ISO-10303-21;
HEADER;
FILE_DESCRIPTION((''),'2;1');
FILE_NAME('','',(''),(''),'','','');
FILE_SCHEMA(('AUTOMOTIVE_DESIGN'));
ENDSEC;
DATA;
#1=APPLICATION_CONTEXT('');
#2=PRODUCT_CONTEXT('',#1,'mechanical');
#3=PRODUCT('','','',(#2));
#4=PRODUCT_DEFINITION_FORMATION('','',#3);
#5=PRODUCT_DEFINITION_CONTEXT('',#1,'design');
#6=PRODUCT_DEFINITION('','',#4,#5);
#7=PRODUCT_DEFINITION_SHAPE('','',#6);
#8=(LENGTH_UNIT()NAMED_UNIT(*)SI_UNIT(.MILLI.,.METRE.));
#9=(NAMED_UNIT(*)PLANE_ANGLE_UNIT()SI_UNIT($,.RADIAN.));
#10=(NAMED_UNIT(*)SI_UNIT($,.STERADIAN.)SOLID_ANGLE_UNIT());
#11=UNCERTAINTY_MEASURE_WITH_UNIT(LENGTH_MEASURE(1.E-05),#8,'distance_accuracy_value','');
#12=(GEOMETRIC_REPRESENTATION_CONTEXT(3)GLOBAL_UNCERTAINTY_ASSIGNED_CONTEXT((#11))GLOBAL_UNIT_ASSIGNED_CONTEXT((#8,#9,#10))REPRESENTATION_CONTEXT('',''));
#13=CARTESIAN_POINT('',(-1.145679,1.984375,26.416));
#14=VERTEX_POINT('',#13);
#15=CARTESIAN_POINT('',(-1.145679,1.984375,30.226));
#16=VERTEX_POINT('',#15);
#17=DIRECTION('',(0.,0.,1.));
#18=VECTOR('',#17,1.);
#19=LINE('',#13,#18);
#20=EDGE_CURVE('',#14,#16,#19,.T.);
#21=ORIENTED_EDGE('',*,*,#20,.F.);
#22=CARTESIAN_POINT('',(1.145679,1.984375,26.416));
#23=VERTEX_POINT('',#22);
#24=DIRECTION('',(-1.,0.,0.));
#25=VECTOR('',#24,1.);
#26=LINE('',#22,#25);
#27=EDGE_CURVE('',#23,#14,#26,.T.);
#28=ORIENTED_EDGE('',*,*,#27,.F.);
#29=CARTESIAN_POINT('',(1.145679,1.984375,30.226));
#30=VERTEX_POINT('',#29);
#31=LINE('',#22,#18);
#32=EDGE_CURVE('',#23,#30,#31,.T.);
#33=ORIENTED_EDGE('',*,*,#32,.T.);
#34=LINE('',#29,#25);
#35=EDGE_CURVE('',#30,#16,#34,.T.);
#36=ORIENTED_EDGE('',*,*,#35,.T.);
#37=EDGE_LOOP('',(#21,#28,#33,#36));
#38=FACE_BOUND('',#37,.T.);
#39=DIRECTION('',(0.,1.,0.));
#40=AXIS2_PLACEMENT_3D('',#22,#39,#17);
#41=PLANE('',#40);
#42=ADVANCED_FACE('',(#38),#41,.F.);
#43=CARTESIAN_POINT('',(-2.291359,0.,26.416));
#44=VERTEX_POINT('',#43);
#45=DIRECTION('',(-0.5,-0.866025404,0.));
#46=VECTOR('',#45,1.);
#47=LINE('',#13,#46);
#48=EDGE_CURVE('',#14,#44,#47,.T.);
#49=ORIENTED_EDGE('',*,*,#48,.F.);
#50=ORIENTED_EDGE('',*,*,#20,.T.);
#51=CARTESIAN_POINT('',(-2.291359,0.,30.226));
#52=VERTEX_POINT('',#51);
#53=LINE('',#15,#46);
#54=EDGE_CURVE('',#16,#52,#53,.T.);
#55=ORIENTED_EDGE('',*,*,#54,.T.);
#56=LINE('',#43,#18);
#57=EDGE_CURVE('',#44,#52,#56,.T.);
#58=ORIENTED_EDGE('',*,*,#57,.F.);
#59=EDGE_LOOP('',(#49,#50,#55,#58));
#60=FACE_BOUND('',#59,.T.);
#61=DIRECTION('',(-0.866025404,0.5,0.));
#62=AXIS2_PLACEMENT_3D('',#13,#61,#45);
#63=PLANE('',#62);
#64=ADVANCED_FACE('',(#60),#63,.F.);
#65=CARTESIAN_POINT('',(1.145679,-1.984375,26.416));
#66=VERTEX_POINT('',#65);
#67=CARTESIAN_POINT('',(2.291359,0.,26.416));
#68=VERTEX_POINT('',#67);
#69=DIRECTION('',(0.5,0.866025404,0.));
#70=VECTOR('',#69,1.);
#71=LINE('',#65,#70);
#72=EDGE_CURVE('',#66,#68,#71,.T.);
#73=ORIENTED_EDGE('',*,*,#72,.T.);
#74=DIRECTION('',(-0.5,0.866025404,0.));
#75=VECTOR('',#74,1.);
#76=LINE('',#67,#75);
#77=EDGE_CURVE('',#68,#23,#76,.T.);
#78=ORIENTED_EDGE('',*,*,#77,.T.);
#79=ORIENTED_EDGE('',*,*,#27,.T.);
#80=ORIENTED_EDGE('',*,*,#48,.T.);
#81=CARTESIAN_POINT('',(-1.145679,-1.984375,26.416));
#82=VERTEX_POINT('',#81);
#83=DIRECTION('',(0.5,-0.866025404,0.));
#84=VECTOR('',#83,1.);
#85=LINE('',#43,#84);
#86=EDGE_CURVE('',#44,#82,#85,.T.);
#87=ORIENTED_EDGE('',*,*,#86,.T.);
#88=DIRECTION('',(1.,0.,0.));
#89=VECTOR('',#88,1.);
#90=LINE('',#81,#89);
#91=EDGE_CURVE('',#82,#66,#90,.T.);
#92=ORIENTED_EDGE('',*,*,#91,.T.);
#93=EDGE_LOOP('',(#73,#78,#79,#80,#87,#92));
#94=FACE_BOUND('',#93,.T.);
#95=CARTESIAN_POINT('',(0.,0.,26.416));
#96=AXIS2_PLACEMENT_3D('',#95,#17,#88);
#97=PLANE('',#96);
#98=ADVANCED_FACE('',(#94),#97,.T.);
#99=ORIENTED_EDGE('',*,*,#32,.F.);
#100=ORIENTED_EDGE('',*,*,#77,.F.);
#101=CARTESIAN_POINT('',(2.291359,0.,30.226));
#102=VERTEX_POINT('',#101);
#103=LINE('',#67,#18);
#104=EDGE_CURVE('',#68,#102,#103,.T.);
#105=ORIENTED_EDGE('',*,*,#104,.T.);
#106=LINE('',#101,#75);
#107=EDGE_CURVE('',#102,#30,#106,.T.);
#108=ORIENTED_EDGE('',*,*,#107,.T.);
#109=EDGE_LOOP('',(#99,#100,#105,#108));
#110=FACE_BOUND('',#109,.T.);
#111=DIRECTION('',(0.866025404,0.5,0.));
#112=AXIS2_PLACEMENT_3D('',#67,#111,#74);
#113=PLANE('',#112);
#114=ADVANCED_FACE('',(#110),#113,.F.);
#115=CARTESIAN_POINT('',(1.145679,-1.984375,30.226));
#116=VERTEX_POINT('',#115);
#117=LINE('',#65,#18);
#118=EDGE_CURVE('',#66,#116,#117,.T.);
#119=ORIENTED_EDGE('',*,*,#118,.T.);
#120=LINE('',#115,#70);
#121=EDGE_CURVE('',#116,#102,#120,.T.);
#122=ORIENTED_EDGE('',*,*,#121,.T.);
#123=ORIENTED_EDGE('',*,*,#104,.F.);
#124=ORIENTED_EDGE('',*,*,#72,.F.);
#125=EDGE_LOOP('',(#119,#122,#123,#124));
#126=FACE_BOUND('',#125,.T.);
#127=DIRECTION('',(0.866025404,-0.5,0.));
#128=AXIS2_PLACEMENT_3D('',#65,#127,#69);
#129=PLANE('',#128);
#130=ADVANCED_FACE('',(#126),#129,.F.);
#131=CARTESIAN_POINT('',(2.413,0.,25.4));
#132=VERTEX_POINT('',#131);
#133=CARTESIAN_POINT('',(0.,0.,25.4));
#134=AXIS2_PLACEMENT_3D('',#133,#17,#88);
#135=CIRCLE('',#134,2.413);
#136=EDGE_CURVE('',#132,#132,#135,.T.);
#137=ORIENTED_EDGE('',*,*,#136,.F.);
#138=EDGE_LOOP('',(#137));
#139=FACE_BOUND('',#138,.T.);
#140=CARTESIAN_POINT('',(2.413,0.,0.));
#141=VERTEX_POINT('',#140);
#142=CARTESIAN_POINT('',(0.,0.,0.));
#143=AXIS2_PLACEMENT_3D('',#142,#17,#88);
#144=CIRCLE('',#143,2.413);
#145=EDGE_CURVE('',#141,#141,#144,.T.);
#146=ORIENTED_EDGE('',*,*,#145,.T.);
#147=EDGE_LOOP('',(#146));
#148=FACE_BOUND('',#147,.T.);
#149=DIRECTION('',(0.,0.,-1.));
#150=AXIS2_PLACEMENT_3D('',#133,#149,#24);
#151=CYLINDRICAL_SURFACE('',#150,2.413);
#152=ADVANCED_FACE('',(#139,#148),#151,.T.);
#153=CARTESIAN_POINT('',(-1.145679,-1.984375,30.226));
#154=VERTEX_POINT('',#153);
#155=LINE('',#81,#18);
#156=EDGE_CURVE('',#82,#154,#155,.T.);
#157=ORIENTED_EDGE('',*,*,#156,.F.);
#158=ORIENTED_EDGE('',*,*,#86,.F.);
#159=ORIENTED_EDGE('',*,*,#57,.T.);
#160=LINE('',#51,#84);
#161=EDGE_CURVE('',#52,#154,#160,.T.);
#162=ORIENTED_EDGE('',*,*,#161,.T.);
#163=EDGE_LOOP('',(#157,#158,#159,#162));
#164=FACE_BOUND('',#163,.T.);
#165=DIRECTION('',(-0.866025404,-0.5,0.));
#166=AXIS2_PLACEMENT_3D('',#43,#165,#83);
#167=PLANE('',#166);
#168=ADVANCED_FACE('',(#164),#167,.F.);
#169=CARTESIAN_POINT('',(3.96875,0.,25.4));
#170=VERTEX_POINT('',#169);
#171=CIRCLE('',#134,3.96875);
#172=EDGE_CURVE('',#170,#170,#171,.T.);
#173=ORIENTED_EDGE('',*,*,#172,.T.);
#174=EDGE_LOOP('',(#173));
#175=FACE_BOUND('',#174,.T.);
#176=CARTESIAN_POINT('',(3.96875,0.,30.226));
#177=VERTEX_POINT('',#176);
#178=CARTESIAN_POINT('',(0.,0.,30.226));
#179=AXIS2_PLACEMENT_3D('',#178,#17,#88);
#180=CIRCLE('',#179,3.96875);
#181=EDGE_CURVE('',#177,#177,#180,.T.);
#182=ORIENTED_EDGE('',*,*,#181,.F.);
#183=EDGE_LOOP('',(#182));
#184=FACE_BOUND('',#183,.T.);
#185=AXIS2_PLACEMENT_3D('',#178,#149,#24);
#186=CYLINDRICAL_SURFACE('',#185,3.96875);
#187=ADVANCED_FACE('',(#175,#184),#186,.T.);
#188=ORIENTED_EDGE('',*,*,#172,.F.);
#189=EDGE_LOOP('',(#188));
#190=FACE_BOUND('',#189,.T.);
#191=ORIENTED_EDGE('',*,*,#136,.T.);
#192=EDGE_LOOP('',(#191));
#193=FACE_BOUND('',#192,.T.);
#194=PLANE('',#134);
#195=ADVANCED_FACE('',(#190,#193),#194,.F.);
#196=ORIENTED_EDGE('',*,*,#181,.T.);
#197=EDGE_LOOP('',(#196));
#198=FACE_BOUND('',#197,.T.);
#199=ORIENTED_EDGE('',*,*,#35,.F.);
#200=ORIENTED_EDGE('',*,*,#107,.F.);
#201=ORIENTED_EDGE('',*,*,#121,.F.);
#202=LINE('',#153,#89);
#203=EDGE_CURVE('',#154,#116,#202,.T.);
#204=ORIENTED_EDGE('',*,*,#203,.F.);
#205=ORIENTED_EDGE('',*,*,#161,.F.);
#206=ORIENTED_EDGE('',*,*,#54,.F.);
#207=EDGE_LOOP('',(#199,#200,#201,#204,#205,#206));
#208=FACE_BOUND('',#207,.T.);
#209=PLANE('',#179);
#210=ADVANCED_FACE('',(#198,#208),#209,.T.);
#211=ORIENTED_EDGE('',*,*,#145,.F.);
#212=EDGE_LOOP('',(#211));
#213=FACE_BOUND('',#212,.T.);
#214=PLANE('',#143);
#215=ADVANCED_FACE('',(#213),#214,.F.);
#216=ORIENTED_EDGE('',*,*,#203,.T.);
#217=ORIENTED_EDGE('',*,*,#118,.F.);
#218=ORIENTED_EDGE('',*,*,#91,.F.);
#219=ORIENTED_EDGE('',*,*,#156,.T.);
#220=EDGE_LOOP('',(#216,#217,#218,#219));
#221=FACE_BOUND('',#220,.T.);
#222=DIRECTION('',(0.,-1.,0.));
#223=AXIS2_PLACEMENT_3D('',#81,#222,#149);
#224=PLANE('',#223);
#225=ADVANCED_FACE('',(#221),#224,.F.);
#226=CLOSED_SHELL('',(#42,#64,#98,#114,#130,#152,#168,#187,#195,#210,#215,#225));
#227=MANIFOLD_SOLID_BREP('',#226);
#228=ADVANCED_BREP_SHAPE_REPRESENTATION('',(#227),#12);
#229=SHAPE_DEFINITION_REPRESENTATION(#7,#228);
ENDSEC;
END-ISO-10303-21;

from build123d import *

# Parameters (mm, degrees)
SKETCH1_R           = 2.413
BOSS_EXTRUDE1_DEPTH = 25.4
SKETCH2_R           = 3.96875
BOSS_EXTRUDE2_DEPTH = 4.826
CUT_EXTRUDE1_DEPTH  = 3.81


with BuildPart() as part:
    # Sketch1 → Boss-Extrude1 (new body)
    with BuildSketch(Plane.XY):
        Circle(SKETCH1_R)
    extrude(amount=BOSS_EXTRUDE1_DEPTH)

    # Sketch2 → Boss-Extrude2 (add)
    with BuildSketch(Plane.XY.offset(25.4)):
        Circle(SKETCH2_R)
    extrude(amount=BOSS_EXTRUDE2_DEPTH)

    # Sketch3 → Cut-Extrude1 (cut)
    with BuildSketch(Plane.XY.offset(30.226)):
        Polygon((2.291358881, 0), (1.14567944, 1.984375), (-1.14567944, 1.984375), (-2.291358881, 0), (-1.14567944, -1.984375), (1.14567944, -1.984375), align=None)
    extrude(amount=-CUT_EXTRUDE1_DEPTH, mode=Mode.SUBTRACT)


solid = part.part
